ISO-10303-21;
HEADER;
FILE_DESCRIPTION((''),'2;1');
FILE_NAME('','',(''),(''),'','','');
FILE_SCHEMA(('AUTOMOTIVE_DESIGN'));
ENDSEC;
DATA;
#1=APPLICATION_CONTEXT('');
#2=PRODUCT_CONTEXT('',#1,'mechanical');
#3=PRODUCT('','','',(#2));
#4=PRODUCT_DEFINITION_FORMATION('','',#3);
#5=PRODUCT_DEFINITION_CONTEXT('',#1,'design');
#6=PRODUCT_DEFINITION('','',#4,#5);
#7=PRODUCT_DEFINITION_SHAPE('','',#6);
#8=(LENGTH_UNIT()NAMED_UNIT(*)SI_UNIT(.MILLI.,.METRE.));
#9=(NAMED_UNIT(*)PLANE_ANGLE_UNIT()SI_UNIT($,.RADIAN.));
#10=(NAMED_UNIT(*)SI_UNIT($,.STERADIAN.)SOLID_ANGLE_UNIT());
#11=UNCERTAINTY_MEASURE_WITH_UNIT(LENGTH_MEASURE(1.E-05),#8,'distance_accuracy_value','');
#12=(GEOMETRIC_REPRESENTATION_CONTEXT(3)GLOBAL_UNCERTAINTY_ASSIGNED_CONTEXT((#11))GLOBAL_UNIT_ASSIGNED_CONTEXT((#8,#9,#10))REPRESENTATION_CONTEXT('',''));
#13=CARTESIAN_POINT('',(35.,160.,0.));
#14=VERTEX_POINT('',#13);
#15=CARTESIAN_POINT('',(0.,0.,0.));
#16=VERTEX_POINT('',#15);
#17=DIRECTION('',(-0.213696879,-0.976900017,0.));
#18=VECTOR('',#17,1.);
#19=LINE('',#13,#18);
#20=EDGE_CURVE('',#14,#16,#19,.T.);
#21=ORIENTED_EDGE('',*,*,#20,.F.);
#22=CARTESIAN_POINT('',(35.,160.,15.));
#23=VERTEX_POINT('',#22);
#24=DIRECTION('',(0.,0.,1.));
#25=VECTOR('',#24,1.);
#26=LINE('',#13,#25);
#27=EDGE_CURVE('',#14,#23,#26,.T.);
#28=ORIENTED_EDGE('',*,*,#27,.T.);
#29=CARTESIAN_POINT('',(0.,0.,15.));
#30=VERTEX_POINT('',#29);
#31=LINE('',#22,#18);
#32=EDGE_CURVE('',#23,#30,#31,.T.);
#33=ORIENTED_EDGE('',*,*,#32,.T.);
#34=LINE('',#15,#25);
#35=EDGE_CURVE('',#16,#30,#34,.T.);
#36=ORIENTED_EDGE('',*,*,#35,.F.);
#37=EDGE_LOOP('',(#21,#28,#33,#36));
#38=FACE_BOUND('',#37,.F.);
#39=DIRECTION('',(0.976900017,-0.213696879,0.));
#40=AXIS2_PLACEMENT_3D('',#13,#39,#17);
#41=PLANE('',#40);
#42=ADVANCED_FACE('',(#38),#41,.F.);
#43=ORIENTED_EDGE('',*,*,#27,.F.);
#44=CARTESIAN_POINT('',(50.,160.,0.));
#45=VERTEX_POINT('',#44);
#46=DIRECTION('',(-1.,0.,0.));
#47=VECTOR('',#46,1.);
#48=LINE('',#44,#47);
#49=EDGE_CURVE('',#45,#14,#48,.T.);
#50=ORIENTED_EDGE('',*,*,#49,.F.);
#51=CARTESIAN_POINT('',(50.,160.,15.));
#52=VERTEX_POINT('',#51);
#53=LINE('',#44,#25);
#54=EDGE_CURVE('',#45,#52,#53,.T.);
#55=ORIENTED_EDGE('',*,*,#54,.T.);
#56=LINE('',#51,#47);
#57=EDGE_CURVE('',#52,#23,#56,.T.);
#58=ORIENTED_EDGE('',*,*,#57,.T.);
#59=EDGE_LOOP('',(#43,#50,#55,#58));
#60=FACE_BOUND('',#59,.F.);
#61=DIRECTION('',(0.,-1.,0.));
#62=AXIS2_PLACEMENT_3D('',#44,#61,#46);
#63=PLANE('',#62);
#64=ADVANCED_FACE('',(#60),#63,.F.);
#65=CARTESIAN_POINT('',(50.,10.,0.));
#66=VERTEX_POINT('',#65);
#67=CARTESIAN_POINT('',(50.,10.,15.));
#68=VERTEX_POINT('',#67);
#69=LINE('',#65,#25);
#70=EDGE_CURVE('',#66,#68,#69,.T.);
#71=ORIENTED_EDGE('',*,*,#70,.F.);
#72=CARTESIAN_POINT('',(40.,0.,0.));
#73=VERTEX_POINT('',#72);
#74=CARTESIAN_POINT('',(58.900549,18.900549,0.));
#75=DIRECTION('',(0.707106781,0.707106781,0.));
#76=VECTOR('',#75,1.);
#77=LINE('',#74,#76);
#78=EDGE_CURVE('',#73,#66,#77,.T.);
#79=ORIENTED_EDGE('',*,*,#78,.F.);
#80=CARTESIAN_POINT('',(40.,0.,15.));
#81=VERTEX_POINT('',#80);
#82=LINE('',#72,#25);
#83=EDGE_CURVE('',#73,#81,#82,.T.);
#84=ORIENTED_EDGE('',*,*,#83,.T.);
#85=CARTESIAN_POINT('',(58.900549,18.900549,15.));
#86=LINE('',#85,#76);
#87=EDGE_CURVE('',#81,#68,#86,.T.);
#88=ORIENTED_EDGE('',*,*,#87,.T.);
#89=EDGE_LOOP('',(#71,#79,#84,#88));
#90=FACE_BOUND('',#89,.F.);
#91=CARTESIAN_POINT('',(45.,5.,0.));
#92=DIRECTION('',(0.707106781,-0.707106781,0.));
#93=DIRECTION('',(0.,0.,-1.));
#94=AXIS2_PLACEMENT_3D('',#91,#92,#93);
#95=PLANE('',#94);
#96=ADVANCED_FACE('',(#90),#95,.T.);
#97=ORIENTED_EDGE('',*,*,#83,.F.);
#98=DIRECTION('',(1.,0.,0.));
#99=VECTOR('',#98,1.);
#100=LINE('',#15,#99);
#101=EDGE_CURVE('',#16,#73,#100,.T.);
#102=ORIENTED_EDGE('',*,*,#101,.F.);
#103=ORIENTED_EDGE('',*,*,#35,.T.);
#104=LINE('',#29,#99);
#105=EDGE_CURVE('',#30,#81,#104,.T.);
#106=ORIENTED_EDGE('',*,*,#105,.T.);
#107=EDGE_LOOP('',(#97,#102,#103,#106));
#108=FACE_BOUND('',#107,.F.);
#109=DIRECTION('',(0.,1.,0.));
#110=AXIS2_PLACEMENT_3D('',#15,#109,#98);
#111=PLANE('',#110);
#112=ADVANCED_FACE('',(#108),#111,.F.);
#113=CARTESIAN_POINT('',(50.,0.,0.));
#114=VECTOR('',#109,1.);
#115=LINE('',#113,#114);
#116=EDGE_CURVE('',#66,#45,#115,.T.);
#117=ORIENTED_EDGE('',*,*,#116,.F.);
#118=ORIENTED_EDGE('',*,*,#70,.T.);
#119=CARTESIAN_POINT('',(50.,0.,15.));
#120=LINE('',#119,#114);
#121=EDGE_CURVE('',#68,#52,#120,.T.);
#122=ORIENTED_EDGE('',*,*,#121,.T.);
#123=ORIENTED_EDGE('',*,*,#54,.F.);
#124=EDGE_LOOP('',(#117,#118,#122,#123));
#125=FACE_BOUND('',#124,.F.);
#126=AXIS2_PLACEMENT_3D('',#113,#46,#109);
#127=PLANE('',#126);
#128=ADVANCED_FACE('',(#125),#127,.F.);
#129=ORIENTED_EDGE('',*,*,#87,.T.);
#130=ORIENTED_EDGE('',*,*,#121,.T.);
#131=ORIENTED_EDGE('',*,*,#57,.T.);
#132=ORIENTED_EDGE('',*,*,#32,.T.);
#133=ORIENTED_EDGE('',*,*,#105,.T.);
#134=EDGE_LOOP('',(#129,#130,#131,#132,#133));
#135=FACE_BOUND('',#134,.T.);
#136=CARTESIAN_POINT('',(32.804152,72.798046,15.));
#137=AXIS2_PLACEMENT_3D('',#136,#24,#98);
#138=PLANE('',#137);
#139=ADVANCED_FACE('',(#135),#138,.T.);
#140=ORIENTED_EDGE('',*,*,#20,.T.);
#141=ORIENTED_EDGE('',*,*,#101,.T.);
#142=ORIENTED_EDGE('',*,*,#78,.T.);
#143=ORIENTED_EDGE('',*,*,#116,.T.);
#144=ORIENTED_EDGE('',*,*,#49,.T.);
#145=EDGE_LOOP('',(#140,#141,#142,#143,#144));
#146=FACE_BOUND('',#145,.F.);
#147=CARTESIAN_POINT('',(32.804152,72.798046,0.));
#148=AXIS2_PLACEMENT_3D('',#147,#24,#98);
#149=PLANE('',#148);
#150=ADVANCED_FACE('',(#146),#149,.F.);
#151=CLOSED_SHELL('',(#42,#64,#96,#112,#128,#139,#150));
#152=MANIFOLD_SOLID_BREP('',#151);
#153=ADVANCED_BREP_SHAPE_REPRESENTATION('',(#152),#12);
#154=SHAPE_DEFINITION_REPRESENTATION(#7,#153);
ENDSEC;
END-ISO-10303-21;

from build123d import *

# Parameters (mm, degrees)
F1_DEPTH = 15
F2_SIZE2 = 10
F2_SIZE  = 10


with BuildPart() as f1:
    # F0 (on Top) → F1 (new body)
    with BuildSketch(Plane.XY):
        Polygon((35, 160), (0, 0), (50, 0), (50, 160), align=None)
    extrude(amount=F1_DEPTH)

    # F2
    f2_edges = [f1.edges().sort_by_distance(p)[0] for p in [
        (50, 0, 7.5),
    ]]
    chamfer(f2_edges, length=F2_SIZE, length2=F2_SIZE2)


solid = f1.part
